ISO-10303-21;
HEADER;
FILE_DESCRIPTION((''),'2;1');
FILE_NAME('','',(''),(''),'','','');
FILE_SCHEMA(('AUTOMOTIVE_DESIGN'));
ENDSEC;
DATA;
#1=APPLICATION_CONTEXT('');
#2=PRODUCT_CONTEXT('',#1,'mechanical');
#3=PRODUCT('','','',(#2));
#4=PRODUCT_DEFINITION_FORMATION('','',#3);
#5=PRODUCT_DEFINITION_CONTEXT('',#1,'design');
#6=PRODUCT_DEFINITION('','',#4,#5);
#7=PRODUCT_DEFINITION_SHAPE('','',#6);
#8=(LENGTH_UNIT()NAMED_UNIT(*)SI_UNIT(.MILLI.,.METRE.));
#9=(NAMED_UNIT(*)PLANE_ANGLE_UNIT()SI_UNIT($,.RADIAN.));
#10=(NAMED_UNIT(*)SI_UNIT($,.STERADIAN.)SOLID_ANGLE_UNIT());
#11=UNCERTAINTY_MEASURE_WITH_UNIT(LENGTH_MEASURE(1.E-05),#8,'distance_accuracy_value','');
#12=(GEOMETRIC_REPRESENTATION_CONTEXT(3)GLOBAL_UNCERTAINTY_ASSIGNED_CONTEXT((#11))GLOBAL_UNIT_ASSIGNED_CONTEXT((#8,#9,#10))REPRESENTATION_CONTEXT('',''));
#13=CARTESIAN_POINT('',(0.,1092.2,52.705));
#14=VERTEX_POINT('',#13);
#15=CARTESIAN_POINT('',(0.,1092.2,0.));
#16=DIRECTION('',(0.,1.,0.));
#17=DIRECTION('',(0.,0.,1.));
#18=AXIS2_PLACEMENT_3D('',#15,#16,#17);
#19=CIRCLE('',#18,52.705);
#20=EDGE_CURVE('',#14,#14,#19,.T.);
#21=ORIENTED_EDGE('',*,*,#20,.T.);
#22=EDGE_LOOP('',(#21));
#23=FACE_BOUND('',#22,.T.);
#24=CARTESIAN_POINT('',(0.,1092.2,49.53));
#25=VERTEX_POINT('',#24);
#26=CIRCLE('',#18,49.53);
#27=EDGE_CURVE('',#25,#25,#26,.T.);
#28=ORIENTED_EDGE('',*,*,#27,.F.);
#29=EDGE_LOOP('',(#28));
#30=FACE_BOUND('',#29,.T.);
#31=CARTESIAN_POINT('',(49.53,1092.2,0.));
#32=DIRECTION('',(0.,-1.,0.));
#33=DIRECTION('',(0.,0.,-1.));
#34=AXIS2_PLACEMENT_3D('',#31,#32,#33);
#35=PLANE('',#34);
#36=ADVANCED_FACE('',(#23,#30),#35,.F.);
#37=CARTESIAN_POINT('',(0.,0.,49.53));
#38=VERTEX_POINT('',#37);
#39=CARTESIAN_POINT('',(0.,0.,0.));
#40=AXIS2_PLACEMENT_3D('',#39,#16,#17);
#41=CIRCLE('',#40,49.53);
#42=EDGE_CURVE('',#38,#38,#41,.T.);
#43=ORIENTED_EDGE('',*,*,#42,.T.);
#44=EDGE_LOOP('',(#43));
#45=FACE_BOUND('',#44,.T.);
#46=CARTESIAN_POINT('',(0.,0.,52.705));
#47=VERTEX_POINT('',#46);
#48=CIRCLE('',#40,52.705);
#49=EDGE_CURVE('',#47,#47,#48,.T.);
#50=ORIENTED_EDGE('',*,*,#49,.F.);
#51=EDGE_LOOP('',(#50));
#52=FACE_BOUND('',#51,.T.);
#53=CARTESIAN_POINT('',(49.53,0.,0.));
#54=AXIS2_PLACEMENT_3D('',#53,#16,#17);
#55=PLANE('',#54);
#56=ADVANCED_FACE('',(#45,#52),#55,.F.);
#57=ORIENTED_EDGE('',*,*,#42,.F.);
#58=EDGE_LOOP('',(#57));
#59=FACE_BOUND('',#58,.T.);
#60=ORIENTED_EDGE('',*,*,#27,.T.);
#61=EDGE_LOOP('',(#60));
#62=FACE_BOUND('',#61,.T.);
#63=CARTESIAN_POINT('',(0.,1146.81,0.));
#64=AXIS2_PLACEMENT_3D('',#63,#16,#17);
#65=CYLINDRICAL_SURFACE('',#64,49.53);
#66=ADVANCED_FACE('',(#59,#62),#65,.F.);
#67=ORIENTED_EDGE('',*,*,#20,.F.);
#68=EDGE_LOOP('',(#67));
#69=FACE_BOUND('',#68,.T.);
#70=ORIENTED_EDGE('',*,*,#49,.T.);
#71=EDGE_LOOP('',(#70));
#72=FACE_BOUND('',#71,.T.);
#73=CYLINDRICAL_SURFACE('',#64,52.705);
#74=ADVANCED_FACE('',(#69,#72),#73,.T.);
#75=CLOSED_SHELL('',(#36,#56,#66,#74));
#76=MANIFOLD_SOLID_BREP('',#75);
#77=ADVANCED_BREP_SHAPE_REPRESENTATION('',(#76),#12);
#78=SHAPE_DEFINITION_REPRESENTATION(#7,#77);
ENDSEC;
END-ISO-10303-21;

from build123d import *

# Parameters (mm, degrees)
SKETCH1_W = 3.175
SKETCH1_H = 1092.2


with BuildPart() as part:
    # Sketch1 → Revolve1 (revolve)
    with BuildSketch(Plane.XY):
        with Locations((51.1175, 546.1)):
            Rectangle(SKETCH1_W, SKETCH1_H)
    revolve(axis=Axis((0, 1146.81, 0), (0, -1, 0)))


solid = part.part
